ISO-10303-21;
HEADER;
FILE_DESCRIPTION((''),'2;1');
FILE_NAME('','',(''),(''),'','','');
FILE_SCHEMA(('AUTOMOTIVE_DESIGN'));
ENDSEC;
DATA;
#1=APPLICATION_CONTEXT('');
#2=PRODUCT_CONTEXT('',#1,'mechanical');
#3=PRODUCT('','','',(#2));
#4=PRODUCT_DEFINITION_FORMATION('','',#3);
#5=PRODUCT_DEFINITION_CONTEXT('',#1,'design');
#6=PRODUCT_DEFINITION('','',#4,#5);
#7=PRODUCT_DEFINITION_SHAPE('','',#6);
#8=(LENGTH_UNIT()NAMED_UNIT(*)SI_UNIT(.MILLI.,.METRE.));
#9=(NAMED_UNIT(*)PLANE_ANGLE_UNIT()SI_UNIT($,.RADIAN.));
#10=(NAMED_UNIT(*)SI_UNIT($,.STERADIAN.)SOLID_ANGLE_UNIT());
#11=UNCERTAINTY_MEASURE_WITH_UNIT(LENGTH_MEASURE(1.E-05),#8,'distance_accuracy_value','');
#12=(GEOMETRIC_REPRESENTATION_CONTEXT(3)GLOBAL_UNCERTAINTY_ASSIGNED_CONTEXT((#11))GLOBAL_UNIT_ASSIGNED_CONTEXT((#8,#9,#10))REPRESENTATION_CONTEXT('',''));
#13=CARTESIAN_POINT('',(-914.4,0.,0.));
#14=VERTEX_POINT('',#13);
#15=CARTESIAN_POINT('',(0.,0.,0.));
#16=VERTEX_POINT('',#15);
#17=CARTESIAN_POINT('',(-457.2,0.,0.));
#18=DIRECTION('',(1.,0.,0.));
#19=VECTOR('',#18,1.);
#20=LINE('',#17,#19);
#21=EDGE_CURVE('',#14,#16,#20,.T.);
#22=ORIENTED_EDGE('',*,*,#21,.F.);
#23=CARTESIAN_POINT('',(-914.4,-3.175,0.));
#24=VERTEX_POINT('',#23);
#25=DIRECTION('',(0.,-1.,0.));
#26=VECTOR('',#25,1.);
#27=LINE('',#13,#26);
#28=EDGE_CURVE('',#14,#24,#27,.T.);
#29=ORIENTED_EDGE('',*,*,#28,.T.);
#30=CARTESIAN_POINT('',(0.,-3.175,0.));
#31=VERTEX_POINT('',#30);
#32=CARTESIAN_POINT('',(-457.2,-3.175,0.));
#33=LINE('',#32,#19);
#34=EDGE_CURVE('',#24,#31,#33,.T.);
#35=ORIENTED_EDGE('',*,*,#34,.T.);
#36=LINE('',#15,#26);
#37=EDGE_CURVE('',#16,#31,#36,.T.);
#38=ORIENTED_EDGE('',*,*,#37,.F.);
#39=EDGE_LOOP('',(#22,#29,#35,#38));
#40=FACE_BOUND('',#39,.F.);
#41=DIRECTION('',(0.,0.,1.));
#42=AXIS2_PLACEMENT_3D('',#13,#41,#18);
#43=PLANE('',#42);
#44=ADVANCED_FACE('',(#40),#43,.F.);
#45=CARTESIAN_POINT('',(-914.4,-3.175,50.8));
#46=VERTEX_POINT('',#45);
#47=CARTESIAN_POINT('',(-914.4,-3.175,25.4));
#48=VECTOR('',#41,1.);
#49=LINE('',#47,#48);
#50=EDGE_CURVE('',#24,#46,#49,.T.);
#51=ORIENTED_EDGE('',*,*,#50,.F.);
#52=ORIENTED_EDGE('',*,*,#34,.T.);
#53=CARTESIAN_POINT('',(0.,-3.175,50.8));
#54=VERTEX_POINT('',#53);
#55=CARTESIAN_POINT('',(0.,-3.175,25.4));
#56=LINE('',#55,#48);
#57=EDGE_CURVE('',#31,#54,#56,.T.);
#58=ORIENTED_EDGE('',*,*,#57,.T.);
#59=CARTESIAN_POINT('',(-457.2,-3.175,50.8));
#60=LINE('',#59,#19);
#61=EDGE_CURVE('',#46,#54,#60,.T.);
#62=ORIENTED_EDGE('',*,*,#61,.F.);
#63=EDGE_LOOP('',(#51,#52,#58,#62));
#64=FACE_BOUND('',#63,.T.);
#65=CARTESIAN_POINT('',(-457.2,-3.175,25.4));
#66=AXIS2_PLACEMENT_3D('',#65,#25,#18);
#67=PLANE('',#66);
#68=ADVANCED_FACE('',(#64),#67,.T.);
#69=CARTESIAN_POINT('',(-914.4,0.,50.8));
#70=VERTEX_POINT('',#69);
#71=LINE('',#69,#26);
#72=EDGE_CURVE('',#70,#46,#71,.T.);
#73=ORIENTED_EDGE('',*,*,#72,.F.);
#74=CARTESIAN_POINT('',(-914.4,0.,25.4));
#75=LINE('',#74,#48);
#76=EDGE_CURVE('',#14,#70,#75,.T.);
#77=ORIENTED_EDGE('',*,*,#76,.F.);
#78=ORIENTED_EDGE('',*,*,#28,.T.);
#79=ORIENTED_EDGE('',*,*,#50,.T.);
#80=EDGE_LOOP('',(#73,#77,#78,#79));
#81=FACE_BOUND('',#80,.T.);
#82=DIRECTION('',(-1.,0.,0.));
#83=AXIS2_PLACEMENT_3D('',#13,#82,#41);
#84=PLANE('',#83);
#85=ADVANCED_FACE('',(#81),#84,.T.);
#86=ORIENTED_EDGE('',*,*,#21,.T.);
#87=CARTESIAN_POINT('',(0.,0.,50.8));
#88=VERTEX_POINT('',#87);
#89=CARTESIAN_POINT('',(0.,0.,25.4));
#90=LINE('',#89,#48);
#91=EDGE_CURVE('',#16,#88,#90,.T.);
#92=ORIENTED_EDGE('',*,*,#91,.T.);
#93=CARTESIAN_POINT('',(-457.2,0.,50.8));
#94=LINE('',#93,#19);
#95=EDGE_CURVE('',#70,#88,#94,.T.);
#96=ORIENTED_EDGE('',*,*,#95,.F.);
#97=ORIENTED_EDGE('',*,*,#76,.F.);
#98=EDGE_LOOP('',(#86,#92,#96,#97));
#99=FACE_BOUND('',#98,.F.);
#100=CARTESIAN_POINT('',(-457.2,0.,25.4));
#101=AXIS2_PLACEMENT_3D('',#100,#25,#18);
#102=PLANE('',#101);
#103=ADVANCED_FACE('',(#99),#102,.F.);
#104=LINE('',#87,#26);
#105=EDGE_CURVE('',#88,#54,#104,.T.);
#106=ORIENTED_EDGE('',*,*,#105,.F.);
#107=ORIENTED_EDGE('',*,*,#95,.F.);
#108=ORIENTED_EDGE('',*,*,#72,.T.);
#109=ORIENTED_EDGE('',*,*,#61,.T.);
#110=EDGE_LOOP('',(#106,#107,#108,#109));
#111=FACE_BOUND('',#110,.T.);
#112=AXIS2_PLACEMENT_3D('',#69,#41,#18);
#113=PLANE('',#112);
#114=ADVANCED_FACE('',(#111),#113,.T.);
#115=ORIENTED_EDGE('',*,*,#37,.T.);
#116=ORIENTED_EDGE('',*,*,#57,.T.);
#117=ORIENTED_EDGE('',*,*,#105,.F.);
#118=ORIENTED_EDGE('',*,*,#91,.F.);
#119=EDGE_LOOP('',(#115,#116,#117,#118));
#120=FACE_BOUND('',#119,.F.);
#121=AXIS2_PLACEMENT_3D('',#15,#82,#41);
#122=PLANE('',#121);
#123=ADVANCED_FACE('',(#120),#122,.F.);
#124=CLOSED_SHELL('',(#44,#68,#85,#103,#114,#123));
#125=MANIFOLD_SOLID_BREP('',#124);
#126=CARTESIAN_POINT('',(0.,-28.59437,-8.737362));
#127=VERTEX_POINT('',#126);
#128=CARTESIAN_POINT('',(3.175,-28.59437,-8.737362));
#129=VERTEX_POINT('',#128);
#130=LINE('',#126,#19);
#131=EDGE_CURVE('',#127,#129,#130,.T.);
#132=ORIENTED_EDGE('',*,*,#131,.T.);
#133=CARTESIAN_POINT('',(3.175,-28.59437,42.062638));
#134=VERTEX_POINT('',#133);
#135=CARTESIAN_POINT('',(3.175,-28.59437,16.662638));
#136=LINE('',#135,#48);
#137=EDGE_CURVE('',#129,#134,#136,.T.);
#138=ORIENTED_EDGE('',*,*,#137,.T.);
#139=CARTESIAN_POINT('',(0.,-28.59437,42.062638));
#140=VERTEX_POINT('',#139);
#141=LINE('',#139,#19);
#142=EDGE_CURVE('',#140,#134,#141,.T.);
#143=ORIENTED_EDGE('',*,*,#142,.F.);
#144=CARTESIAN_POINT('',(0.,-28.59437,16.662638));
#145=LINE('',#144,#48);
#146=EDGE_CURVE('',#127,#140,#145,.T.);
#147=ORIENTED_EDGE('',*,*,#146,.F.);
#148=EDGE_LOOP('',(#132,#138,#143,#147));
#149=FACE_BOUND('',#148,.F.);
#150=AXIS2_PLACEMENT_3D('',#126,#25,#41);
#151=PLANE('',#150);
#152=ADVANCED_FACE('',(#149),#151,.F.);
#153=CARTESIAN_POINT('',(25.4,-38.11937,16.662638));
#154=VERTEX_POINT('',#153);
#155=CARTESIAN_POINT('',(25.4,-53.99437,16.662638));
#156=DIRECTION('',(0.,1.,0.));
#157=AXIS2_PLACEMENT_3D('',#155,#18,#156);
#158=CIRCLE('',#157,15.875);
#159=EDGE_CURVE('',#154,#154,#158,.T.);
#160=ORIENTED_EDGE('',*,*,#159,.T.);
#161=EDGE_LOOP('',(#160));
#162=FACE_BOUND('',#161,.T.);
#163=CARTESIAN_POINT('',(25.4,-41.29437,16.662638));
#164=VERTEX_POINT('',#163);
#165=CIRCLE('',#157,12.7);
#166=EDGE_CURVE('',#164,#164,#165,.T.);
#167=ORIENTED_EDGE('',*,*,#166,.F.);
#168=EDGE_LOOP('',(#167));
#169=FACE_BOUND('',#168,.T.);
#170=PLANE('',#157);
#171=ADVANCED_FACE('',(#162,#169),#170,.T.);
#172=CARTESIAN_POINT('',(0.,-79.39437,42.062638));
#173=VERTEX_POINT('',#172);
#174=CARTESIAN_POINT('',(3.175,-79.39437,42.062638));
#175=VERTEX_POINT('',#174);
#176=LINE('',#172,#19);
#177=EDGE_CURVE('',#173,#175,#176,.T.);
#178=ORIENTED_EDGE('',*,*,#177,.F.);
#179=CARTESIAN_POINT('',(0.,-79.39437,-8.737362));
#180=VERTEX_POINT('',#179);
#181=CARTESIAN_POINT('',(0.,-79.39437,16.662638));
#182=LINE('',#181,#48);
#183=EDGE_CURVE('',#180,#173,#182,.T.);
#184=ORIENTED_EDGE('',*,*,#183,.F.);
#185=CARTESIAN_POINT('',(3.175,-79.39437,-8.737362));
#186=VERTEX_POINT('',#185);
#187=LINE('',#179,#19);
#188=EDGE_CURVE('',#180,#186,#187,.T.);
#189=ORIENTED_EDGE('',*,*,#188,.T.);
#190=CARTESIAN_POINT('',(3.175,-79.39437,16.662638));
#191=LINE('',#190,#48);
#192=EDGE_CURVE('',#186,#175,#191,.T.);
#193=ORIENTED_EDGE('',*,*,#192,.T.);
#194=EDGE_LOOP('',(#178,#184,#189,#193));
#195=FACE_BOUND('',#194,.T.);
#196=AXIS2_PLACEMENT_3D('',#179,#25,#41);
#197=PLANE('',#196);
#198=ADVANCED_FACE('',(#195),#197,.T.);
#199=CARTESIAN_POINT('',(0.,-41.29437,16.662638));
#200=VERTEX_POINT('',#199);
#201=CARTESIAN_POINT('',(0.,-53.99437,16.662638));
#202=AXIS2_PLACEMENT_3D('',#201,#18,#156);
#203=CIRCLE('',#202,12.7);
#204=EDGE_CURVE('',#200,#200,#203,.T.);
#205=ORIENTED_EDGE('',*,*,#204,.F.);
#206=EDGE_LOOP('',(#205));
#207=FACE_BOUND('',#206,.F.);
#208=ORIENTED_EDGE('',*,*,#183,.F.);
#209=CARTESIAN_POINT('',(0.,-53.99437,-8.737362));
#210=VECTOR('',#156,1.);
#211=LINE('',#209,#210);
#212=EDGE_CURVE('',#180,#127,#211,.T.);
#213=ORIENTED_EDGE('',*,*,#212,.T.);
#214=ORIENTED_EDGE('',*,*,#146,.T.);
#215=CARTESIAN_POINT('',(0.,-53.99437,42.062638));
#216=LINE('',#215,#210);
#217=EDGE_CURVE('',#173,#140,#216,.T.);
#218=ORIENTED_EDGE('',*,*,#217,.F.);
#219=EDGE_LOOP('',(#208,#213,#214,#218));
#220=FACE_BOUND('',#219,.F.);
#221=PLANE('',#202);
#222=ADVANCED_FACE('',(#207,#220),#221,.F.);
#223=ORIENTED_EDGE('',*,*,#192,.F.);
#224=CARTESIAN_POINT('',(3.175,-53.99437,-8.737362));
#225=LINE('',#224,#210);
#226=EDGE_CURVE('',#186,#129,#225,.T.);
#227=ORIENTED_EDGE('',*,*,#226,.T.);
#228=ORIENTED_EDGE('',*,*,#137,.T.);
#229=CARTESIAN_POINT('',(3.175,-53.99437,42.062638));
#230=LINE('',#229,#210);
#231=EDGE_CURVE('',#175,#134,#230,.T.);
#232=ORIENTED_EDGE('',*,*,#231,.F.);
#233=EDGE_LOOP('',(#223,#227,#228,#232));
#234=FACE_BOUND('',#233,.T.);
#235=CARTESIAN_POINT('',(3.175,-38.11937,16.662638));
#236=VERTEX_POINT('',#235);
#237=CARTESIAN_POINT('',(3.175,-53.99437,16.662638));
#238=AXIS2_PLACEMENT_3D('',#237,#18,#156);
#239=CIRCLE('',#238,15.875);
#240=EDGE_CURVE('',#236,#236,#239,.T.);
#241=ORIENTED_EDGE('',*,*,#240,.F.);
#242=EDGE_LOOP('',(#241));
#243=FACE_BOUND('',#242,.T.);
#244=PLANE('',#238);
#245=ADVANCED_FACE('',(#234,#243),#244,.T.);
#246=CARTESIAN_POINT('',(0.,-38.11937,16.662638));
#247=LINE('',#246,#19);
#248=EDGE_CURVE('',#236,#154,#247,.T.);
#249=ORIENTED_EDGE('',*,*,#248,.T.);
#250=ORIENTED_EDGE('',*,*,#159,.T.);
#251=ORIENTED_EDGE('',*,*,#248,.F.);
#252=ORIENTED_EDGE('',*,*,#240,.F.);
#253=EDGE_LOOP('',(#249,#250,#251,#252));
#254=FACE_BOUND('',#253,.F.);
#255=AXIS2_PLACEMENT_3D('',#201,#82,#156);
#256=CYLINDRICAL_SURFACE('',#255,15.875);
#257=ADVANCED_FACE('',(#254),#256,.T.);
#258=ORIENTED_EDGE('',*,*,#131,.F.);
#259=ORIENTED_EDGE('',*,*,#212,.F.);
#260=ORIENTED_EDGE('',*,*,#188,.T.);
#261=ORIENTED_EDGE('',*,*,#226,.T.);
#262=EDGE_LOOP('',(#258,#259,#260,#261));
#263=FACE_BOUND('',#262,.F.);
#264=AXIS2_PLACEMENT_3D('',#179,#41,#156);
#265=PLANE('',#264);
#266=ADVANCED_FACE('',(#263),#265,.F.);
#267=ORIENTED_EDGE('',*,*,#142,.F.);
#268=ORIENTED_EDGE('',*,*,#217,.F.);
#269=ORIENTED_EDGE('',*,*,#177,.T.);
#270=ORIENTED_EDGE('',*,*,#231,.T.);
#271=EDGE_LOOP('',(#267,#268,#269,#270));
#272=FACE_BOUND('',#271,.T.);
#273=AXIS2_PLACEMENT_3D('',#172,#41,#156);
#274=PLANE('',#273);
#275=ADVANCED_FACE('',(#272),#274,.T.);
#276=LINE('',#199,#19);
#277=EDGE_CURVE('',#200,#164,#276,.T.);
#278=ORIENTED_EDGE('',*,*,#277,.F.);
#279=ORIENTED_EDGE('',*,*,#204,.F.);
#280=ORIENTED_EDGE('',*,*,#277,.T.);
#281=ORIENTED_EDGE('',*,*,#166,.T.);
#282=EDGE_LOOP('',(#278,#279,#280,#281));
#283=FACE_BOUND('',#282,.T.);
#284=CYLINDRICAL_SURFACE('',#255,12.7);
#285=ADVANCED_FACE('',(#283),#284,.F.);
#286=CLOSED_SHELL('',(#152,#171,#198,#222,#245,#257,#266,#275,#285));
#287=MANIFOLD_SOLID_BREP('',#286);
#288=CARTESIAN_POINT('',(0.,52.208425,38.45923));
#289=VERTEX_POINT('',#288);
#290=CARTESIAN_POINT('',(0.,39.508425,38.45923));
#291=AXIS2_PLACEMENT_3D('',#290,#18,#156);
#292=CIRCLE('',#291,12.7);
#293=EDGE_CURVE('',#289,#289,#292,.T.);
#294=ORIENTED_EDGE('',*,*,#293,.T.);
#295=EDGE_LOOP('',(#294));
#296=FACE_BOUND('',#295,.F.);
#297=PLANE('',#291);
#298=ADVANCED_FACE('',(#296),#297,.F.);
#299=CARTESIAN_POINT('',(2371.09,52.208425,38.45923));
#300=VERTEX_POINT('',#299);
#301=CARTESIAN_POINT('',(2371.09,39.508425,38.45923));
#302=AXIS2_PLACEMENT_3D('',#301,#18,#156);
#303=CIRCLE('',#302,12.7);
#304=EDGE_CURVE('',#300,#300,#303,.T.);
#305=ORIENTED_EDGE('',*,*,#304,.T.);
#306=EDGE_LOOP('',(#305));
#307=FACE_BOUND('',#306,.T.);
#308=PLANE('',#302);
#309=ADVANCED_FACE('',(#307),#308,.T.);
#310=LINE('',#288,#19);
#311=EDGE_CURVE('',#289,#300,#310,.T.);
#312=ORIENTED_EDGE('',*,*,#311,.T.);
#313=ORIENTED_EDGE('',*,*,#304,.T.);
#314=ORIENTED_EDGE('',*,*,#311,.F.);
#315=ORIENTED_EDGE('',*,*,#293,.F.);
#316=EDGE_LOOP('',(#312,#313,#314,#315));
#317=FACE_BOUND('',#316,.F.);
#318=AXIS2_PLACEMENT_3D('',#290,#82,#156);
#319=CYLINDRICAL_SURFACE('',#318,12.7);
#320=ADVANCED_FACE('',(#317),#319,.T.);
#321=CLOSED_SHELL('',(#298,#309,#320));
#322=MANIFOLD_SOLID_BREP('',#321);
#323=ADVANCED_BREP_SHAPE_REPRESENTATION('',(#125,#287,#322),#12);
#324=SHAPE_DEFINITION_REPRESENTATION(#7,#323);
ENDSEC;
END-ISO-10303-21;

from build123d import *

# Parameters (mm, degrees)
F0_W     = 914.4
F0_H     = 50.8
F1_DEPTH = 3.175
F2_W     = 50.8
F2_H     = 50.8
F2_R     = 15.875
F3_DEPTH = 3.175
F2_R_2   = 12.7
F4_DEPTH = 25.4
F5_R     = 12.7
F6_DEPTH = 2371.09


with BuildPart() as f1:
    # F0 (on Front) → F1 (new body)
    with BuildSketch(Plane.XZ):
        with Locations((-457.2, 25.4)):
            Rectangle(F0_W, F0_H)
    extrude(amount=F1_DEPTH)


with BuildPart() as f3:
    # F2 (on Right) → F3 (new body)
    with BuildSketch(Plane.YZ):
        with Locations((-53.99437, 16.662638)):
            Rectangle(F2_W, F2_H)
        with Locations((-53.99437, 16.662638)):
            Circle(F2_R, mode=Mode.SUBTRACT)
    extrude(amount=F3_DEPTH)

    # F2 (on Right) → F4 (join)
    with BuildSketch(Plane.YZ):
        with Locations((-53.99437, 16.662638)):
            Circle(F2_R)
        with Locations((-53.99437, 16.662638)):
            Circle(F2_R_2, mode=Mode.SUBTRACT)
    extrude(amount=F4_DEPTH)


with BuildPart() as f6:
    # F5 (on Right) → F6 (new body)
    with BuildSketch(Plane.YZ):
        with Locations((39.508425, 38.45923)):
            Circle(F5_R)
    extrude(amount=F6_DEPTH)


solid = Compound([f1.part, f3.part, f6.part])
